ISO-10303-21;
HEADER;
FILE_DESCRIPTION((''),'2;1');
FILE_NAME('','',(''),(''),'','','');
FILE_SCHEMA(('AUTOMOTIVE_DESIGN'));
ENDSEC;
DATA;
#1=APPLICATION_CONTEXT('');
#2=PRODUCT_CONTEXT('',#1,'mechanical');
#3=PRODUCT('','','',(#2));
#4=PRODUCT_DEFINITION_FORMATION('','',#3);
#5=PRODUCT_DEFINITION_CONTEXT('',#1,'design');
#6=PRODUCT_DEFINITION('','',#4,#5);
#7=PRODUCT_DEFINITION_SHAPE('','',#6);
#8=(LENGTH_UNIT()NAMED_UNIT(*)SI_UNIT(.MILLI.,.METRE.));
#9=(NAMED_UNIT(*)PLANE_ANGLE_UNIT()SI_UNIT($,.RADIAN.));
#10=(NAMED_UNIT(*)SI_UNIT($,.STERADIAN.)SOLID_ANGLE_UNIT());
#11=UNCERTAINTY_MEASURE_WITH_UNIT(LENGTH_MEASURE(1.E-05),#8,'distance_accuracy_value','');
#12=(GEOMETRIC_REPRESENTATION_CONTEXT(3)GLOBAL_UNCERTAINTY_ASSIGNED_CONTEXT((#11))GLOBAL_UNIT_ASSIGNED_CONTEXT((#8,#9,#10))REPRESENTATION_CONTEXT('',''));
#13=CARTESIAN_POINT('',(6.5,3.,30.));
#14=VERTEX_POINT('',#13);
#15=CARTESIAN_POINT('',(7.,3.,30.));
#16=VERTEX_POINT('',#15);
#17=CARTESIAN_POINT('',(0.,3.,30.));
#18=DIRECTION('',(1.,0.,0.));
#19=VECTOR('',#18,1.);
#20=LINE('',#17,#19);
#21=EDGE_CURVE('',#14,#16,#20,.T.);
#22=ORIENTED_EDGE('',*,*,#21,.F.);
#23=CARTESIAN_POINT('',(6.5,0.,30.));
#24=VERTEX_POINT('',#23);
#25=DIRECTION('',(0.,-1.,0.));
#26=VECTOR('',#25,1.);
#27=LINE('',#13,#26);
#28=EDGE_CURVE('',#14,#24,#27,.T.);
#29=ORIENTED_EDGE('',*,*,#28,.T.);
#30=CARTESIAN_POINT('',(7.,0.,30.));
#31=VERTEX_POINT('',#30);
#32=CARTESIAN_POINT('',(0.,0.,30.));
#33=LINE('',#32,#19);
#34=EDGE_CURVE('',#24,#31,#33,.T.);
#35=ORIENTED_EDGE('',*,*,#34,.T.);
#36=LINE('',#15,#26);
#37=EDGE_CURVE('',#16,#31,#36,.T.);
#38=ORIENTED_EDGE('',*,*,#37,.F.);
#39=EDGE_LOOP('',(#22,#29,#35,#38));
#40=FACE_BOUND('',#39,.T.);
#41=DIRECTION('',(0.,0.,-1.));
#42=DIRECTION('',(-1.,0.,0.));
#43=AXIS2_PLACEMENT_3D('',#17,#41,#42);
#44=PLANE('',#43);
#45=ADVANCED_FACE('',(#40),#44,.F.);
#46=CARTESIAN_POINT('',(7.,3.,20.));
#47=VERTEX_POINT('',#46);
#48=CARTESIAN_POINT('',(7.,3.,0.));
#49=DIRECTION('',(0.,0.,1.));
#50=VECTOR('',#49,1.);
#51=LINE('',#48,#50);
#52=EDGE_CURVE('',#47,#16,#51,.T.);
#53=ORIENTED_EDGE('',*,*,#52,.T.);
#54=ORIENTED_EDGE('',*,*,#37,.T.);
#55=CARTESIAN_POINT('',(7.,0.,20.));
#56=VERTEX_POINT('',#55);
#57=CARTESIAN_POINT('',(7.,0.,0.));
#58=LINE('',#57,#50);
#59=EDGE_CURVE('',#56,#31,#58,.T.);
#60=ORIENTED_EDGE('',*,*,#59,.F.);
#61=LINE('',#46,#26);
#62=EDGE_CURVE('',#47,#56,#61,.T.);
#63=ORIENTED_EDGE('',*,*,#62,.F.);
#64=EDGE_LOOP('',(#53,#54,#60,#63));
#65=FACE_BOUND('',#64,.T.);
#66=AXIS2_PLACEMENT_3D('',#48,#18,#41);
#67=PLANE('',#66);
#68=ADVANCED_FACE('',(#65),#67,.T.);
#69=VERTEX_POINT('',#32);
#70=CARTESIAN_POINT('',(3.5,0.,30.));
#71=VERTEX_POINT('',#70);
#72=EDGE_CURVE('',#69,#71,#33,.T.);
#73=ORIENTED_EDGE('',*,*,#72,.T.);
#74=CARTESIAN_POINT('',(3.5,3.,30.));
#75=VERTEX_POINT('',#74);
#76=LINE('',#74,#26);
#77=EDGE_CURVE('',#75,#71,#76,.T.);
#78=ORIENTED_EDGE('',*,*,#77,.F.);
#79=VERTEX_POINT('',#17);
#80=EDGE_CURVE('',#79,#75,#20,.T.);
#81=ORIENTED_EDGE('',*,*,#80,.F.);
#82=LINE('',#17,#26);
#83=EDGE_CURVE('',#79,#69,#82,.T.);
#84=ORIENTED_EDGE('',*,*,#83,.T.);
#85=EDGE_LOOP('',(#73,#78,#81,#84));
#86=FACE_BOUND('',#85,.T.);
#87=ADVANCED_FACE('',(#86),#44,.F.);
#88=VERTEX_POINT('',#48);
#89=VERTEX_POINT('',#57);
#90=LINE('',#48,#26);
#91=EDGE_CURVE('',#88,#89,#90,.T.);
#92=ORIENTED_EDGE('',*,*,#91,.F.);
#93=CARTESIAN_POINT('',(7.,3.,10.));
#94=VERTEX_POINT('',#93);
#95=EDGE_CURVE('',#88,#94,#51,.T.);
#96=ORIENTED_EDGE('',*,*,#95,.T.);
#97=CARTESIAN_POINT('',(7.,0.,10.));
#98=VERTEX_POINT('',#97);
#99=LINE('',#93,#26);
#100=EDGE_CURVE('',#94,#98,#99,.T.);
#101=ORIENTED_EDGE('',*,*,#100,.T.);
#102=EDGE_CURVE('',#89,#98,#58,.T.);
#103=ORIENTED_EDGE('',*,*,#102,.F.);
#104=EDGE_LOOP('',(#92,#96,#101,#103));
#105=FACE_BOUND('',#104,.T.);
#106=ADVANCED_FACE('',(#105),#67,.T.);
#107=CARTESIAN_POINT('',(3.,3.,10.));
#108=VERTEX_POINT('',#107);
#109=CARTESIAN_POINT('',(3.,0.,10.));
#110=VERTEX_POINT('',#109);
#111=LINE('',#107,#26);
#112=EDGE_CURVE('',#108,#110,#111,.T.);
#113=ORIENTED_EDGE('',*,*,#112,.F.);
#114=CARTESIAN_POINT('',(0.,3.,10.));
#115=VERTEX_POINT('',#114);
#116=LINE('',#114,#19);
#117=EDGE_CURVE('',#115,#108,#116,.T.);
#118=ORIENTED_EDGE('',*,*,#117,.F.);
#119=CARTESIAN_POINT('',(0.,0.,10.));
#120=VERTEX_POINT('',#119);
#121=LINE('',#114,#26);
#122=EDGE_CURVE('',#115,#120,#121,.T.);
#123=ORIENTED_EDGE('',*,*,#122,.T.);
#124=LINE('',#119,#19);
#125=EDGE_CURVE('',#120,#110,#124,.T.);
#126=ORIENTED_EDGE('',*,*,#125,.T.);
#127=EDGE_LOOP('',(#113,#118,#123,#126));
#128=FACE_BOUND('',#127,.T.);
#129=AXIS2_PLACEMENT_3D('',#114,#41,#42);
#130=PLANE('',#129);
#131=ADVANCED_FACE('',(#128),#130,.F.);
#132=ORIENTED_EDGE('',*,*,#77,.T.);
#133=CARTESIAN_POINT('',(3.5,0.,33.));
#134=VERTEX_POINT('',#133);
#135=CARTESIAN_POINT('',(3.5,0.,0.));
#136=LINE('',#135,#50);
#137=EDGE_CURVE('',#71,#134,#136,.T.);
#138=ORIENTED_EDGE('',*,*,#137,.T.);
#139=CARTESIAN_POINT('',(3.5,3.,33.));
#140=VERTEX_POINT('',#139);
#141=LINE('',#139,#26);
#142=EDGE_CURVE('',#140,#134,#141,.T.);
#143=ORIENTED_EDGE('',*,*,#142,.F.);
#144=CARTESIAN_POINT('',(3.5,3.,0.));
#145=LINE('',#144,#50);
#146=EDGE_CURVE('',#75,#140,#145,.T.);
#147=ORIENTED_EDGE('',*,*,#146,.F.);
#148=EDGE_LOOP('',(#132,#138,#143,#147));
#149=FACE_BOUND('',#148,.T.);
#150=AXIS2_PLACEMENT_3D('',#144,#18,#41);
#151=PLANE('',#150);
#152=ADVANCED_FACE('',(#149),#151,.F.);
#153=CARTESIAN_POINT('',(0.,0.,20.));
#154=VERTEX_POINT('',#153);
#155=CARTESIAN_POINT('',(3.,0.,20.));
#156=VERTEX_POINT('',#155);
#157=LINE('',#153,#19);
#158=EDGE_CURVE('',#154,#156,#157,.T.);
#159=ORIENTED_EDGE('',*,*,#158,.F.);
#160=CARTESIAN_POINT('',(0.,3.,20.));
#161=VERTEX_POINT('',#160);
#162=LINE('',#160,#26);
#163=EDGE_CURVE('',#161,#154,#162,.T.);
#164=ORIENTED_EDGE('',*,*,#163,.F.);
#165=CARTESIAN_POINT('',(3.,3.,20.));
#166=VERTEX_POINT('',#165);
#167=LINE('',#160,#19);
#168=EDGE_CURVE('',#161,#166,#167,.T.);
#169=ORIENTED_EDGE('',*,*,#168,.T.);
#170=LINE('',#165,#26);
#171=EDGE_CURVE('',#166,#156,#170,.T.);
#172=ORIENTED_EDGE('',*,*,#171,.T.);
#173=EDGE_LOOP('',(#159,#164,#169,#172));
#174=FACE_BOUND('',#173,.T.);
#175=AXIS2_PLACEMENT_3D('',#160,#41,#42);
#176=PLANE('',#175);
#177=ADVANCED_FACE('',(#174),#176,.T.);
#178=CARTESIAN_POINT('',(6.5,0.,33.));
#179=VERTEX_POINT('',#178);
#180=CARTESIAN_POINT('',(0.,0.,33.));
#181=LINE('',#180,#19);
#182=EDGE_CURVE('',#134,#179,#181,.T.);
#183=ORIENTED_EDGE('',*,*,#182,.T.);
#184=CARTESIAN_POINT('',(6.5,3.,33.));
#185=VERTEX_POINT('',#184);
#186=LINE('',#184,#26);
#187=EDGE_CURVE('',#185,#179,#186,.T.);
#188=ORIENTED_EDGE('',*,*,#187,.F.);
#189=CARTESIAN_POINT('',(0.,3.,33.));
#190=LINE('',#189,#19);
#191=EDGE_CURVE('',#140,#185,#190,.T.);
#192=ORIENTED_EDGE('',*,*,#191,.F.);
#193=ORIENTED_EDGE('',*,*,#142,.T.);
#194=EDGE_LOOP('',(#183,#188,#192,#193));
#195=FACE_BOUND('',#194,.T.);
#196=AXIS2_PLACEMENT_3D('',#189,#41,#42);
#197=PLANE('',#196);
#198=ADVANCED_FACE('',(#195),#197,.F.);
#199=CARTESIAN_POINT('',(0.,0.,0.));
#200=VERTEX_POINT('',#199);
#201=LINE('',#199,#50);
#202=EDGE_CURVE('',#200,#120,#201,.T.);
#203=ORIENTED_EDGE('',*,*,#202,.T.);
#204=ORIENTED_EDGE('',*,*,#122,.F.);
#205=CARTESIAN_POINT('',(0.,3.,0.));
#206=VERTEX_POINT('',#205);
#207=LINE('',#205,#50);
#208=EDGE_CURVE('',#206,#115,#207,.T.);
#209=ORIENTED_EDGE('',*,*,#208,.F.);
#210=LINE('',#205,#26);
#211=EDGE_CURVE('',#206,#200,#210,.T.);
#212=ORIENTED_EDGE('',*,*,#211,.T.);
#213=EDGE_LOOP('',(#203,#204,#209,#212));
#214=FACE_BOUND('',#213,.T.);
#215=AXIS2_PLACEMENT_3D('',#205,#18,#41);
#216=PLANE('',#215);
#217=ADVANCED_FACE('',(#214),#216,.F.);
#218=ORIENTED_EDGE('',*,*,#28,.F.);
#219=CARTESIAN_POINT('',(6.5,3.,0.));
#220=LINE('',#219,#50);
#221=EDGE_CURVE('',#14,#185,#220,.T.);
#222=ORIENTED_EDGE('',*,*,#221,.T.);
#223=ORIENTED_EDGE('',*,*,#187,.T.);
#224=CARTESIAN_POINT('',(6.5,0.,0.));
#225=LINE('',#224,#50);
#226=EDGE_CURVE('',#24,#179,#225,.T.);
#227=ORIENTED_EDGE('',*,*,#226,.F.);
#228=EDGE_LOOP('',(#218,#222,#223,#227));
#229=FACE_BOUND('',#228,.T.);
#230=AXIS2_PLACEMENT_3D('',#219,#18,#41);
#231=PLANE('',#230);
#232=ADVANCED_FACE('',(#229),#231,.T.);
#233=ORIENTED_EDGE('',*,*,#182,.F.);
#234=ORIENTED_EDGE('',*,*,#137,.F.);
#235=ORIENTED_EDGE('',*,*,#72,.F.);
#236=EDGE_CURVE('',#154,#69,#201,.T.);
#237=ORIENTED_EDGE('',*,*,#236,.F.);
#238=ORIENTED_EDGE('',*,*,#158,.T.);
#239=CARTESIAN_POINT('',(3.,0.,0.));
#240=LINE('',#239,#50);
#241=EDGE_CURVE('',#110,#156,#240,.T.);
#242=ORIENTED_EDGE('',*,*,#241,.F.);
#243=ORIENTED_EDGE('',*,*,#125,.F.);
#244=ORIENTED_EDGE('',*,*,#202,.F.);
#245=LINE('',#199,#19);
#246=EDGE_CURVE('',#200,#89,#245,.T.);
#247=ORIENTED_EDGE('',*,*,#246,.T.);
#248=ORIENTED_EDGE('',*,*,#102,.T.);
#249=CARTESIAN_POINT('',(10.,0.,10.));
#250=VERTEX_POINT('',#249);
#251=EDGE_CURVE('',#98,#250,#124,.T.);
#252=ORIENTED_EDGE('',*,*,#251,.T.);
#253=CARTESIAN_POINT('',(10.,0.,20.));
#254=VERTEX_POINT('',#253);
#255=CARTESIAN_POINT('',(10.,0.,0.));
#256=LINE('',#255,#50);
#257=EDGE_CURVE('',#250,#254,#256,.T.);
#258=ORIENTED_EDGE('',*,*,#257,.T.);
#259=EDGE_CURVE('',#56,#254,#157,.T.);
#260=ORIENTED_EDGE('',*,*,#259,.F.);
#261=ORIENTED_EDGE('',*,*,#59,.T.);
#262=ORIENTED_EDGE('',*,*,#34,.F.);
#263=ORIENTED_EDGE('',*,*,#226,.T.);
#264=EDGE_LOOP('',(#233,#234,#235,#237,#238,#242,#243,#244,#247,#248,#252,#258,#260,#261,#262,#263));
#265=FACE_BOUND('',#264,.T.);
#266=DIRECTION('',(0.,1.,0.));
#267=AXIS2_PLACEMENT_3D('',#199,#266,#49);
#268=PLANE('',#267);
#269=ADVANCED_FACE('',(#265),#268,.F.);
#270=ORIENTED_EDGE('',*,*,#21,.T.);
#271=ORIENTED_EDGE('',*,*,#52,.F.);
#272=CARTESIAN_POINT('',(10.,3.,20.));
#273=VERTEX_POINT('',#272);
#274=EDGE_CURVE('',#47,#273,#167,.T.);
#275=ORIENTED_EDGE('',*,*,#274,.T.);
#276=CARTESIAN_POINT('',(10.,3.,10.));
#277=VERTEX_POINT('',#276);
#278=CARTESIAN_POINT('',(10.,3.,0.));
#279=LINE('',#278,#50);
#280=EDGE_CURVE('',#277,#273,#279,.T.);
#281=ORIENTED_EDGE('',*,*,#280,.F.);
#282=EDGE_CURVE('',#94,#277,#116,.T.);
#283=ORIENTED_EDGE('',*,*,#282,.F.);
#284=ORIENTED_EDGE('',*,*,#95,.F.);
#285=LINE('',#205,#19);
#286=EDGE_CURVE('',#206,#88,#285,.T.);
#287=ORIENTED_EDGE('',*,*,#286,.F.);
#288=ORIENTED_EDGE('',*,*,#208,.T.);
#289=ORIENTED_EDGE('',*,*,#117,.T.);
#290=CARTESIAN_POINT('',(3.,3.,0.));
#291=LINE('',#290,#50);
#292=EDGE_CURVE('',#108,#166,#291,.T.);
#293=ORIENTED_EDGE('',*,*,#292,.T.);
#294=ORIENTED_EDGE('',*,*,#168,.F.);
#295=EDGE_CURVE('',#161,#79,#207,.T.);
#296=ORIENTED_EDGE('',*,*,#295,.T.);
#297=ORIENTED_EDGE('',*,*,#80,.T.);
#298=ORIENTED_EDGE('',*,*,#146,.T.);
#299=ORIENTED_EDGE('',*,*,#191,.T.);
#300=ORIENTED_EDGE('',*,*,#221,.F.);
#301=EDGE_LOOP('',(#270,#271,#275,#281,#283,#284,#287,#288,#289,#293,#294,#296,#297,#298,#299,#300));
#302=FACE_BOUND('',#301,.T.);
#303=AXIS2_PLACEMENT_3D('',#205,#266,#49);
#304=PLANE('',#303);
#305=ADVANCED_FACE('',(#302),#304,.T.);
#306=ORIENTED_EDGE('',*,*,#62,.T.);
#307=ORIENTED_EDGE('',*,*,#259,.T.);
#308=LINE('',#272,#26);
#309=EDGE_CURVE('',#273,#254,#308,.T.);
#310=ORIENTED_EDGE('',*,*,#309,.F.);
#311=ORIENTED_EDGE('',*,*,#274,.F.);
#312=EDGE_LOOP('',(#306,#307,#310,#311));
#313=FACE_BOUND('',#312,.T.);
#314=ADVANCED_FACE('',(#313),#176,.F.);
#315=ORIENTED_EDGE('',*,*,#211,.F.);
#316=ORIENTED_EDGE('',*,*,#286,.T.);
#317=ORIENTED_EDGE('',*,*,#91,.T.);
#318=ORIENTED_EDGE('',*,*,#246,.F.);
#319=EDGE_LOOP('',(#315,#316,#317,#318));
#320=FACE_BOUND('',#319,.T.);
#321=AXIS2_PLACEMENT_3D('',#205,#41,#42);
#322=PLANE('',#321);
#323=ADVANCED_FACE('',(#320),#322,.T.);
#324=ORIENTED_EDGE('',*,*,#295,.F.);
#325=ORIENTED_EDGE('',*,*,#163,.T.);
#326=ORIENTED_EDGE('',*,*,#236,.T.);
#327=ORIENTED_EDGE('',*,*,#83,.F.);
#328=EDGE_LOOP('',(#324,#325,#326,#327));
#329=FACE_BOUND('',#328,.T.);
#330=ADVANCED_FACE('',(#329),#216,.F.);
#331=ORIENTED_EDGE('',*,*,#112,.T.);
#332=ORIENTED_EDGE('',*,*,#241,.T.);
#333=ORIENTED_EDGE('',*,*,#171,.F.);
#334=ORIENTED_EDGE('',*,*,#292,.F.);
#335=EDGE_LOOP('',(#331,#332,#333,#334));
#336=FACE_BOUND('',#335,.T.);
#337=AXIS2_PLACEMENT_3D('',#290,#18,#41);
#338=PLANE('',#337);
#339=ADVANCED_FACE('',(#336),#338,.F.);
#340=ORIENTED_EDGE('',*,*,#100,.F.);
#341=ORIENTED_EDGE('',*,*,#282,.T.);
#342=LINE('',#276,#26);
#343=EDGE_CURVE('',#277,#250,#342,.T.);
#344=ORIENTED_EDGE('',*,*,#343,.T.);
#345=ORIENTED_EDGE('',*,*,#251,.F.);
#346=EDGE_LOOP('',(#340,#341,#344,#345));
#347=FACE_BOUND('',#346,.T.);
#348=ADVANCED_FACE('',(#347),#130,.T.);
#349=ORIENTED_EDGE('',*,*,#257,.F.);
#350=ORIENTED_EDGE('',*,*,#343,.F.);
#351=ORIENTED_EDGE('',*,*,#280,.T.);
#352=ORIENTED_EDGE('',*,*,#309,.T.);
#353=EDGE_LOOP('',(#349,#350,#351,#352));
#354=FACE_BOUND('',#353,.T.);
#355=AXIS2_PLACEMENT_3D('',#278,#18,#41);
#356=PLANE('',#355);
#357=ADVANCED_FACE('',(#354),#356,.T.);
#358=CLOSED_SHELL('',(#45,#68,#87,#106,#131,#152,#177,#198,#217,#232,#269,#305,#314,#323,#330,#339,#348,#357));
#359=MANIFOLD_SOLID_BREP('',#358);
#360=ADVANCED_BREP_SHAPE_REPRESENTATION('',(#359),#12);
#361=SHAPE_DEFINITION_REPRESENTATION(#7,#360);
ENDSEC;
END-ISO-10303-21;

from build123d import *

# Parameters (mm, degrees)
EXTRUDE_1_DEPTH = 3


with BuildPart() as part:
    # 草图1 → 凸台-拉伸1 (new body)
    with BuildSketch(Plane(origin=(0, 0, 0), x_dir=(1, 0, 0), z_dir=(0, 1, 0))):
        Polygon((7, 0), (0, 0), (0, -10), (3, -10), (3, -20), (0, -20), (0, -30), (3.5, -30), (3.5, -33), (6.5, -33), (6.5, -30), (7, -30), (7, -20), (10, -20), (10, -10), (7, -10), align=None)
    extrude(amount=EXTRUDE_1_DEPTH)


solid = part.part
